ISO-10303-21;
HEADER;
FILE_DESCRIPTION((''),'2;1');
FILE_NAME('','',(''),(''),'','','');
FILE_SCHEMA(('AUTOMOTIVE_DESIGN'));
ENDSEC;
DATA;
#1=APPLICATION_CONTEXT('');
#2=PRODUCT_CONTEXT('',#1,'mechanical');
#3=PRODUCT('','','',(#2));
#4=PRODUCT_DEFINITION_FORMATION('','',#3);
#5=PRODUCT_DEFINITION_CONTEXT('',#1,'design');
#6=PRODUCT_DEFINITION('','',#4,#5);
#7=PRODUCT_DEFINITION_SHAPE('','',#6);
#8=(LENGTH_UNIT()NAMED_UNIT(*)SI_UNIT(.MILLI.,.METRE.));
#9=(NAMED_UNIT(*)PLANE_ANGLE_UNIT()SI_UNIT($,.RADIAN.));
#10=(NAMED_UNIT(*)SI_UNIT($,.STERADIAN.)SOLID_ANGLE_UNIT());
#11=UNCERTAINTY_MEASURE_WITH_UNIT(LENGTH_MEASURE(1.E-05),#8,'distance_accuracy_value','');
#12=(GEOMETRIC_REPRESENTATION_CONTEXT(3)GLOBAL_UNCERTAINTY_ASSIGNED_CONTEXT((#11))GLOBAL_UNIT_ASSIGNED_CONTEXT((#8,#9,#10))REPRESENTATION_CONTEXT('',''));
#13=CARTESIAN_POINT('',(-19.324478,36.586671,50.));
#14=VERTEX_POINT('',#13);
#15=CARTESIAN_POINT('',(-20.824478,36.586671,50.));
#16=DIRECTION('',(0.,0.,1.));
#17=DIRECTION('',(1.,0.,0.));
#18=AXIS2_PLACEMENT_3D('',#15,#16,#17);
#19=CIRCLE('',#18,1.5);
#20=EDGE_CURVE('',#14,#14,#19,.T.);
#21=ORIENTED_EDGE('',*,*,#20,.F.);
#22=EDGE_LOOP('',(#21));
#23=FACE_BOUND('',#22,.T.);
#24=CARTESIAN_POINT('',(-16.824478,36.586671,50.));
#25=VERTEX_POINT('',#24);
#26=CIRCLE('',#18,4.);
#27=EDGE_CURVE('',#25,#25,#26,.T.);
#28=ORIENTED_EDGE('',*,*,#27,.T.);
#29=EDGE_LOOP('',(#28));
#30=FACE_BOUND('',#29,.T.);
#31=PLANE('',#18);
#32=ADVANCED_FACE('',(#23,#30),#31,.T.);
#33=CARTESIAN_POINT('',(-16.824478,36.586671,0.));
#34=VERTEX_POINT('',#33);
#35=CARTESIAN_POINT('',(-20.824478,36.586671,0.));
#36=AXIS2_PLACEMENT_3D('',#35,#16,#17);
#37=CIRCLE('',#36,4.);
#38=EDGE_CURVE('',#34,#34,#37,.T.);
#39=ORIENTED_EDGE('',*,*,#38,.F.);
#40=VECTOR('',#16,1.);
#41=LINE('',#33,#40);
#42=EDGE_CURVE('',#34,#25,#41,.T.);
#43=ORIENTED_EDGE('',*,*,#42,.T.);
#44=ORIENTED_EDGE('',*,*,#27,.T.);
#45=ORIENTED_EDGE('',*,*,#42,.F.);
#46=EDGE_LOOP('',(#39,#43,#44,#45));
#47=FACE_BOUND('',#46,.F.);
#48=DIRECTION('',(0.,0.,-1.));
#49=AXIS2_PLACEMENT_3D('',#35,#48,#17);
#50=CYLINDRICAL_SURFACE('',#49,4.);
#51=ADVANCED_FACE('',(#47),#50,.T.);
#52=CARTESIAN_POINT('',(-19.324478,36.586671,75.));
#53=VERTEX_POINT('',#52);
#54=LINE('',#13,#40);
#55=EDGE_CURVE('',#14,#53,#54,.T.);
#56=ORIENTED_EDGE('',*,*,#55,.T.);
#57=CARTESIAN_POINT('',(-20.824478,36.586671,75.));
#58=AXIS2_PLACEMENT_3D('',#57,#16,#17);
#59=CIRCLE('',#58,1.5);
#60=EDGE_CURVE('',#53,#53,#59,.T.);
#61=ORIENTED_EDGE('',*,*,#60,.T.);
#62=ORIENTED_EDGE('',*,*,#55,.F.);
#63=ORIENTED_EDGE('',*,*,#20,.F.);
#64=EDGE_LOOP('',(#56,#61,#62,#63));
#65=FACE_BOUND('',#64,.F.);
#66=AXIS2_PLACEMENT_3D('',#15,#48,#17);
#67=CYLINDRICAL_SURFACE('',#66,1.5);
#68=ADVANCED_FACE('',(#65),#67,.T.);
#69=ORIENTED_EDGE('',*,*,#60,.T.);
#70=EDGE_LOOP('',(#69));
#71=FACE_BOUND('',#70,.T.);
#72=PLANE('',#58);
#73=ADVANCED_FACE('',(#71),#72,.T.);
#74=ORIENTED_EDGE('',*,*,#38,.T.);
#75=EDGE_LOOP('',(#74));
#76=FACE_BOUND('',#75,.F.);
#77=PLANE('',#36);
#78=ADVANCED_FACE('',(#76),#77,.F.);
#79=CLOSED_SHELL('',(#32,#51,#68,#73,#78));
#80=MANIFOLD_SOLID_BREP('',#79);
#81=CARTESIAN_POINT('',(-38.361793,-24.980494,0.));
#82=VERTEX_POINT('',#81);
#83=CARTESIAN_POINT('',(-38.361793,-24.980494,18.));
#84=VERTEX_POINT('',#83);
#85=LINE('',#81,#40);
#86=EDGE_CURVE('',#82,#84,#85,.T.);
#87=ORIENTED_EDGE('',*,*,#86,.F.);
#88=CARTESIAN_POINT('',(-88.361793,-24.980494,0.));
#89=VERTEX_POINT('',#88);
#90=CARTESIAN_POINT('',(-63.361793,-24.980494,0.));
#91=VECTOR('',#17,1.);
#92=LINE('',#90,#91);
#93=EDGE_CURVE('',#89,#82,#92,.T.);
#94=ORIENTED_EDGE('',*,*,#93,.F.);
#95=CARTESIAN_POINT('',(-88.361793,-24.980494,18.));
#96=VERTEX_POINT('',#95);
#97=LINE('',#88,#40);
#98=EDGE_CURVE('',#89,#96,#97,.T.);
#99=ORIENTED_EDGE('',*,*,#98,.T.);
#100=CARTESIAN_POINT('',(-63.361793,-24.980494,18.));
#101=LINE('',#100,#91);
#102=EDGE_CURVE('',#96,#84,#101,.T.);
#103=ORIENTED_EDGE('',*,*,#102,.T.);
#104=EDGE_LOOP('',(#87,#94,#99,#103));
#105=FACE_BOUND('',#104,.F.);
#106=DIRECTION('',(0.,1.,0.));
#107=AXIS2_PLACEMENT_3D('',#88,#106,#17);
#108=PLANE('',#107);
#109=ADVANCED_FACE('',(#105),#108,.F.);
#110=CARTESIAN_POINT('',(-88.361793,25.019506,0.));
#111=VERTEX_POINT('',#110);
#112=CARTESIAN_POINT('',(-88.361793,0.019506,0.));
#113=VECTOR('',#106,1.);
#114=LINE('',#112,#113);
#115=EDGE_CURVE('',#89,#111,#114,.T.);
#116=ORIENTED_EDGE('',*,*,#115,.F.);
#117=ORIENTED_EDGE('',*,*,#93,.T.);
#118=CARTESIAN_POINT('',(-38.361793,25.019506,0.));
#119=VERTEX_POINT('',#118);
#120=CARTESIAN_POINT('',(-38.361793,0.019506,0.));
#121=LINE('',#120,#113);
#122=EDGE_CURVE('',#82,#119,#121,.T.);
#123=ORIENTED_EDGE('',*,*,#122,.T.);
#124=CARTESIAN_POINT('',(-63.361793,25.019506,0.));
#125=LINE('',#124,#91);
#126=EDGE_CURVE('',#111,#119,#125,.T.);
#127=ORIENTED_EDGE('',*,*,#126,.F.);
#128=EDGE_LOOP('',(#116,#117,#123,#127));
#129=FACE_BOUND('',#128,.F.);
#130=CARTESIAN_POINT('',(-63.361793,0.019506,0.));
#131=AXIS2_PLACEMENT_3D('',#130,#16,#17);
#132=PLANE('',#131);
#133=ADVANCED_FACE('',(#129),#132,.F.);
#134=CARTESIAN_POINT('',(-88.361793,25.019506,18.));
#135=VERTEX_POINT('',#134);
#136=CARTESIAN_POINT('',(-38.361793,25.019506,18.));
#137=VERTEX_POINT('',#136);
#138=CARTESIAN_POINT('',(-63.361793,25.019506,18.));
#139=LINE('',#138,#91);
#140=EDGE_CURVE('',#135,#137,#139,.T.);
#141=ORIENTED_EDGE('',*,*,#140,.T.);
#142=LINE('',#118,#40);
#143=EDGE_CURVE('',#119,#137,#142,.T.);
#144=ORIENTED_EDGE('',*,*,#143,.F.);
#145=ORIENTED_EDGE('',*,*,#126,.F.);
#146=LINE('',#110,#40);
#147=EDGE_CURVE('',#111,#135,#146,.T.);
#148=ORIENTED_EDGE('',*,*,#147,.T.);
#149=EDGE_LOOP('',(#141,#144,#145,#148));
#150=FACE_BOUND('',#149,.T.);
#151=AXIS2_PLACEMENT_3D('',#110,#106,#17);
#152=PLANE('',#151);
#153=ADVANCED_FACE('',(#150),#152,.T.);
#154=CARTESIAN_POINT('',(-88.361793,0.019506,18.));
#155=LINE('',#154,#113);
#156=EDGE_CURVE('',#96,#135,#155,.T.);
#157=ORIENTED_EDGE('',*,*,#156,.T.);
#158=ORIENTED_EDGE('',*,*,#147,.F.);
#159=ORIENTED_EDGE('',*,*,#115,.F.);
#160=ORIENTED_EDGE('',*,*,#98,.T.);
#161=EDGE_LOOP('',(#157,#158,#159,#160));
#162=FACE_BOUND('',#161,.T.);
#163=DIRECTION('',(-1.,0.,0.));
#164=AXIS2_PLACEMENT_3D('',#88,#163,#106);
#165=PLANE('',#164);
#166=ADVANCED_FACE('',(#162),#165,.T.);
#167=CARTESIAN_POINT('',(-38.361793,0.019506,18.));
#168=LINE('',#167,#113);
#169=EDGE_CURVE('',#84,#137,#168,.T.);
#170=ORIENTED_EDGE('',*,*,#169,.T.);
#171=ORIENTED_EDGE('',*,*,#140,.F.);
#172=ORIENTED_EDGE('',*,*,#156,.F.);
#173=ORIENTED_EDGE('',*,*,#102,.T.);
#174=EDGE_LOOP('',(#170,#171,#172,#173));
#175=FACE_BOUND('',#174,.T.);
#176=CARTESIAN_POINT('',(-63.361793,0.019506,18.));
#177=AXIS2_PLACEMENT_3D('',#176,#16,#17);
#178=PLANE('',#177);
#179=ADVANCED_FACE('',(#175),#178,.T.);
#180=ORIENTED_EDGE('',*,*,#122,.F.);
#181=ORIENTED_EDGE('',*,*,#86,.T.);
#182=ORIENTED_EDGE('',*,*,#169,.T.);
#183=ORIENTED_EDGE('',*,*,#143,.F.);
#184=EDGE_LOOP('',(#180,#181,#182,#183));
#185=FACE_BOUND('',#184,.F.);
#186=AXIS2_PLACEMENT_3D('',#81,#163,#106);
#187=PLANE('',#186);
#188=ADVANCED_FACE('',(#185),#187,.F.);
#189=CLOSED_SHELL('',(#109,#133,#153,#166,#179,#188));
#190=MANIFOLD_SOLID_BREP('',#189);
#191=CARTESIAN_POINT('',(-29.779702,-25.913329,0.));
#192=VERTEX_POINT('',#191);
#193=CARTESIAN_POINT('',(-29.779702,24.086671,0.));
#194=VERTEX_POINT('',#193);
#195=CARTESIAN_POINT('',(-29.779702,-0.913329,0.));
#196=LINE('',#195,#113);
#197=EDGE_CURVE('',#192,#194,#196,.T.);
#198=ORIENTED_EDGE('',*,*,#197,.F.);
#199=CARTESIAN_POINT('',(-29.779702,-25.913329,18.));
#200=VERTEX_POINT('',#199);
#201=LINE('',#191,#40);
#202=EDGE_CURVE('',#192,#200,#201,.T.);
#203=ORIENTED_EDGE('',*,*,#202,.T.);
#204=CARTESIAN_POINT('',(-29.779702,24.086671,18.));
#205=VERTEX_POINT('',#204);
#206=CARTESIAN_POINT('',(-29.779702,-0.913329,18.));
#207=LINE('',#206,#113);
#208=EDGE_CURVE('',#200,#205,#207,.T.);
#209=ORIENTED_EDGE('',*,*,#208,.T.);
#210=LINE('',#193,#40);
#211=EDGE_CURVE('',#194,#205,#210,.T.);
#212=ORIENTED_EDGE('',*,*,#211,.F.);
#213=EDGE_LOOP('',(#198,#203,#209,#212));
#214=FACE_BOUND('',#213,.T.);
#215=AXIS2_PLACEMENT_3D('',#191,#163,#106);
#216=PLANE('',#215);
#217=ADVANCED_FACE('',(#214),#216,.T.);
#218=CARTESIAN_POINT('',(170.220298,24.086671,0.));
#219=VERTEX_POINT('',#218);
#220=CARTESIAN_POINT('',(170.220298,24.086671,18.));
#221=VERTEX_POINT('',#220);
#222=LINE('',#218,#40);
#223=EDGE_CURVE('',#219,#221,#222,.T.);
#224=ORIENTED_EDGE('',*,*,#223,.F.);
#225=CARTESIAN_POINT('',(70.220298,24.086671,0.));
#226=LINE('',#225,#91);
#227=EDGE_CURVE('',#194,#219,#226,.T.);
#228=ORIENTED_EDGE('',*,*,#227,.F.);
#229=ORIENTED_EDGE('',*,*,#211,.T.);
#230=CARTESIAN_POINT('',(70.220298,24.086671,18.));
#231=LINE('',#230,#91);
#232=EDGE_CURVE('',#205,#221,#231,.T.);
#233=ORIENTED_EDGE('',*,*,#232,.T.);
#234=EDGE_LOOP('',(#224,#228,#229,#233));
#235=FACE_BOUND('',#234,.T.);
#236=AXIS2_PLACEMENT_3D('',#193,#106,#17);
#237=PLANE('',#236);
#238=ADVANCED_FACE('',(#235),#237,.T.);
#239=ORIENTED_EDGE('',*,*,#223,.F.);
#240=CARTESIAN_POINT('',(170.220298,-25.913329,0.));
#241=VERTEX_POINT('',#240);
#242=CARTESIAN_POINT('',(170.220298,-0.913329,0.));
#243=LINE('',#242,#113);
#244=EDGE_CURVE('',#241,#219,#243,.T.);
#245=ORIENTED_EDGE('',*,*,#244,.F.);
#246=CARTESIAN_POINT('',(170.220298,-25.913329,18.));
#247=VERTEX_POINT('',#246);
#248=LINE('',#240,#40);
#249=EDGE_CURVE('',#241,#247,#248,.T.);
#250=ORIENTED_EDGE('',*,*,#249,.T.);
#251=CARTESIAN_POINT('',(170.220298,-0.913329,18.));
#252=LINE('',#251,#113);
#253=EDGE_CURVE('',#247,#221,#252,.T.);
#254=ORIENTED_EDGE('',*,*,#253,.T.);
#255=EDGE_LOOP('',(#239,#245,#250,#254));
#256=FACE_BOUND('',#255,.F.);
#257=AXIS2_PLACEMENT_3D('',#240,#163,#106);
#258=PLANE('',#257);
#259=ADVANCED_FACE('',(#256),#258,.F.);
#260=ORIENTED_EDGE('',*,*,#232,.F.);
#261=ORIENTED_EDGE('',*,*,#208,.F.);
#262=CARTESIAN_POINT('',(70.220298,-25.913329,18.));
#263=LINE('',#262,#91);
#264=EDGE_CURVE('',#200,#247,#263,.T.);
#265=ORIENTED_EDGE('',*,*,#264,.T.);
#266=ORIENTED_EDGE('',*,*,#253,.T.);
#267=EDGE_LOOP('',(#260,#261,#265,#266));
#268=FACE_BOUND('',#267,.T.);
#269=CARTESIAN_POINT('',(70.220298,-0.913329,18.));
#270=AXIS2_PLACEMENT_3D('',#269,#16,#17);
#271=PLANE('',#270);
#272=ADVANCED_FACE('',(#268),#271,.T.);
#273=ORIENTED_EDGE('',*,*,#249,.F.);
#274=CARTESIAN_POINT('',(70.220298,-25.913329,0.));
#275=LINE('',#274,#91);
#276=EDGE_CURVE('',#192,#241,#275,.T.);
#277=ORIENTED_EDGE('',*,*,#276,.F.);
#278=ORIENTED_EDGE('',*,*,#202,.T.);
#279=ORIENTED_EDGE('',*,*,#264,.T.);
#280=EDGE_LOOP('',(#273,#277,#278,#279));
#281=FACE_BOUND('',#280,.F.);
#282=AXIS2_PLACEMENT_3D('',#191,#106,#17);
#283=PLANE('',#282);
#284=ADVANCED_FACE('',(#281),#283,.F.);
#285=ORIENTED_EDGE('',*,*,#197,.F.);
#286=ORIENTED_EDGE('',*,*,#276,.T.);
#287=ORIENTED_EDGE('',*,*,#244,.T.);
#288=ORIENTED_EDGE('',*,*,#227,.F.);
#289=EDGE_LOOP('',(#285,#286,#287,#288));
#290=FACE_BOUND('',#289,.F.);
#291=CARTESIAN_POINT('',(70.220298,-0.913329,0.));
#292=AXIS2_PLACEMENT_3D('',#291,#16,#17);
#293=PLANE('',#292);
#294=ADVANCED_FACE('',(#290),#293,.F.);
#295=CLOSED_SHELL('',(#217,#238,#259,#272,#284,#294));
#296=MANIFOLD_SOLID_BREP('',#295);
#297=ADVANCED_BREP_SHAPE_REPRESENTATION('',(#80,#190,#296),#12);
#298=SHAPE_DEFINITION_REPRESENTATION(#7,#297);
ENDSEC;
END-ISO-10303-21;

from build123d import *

# Parameters (mm, degrees)
F0_R     = 4
F1_DEPTH = 50
F0_W     = 200
F0_H     = 50
F0_W_2   = 50
F2_DEPTH = 18
F3_R     = 1.5
F4_DEPTH = 25


with BuildPart() as f1:
    # F0 (on Top) → F1 (new body)
    with BuildSketch(Plane.XY):
        with Locations((-20.824478, 36.586671)):
            Circle(F0_R)
    extrude(amount=F1_DEPTH)

    # F3 (on face) → F4 (join)
    with BuildSketch(Plane.XY.offset(50)):
        with Locations((-20.824478, 36.586671)):
            Circle(F3_R)
    extrude(amount=F4_DEPTH)


with BuildPart() as f2:
    # F0 (on Top) → F2 (new body)
    with BuildSketch(Plane.XY):
        with Locations((70.220298, -0.913329)):
            Rectangle(F0_W, F0_H)
        with Locations((-63.361793, 0.019506)):
            Rectangle(F0_W_2, F0_H)
    extrude(amount=F2_DEPTH)


solid = Compound([f1.part, f2.part])
